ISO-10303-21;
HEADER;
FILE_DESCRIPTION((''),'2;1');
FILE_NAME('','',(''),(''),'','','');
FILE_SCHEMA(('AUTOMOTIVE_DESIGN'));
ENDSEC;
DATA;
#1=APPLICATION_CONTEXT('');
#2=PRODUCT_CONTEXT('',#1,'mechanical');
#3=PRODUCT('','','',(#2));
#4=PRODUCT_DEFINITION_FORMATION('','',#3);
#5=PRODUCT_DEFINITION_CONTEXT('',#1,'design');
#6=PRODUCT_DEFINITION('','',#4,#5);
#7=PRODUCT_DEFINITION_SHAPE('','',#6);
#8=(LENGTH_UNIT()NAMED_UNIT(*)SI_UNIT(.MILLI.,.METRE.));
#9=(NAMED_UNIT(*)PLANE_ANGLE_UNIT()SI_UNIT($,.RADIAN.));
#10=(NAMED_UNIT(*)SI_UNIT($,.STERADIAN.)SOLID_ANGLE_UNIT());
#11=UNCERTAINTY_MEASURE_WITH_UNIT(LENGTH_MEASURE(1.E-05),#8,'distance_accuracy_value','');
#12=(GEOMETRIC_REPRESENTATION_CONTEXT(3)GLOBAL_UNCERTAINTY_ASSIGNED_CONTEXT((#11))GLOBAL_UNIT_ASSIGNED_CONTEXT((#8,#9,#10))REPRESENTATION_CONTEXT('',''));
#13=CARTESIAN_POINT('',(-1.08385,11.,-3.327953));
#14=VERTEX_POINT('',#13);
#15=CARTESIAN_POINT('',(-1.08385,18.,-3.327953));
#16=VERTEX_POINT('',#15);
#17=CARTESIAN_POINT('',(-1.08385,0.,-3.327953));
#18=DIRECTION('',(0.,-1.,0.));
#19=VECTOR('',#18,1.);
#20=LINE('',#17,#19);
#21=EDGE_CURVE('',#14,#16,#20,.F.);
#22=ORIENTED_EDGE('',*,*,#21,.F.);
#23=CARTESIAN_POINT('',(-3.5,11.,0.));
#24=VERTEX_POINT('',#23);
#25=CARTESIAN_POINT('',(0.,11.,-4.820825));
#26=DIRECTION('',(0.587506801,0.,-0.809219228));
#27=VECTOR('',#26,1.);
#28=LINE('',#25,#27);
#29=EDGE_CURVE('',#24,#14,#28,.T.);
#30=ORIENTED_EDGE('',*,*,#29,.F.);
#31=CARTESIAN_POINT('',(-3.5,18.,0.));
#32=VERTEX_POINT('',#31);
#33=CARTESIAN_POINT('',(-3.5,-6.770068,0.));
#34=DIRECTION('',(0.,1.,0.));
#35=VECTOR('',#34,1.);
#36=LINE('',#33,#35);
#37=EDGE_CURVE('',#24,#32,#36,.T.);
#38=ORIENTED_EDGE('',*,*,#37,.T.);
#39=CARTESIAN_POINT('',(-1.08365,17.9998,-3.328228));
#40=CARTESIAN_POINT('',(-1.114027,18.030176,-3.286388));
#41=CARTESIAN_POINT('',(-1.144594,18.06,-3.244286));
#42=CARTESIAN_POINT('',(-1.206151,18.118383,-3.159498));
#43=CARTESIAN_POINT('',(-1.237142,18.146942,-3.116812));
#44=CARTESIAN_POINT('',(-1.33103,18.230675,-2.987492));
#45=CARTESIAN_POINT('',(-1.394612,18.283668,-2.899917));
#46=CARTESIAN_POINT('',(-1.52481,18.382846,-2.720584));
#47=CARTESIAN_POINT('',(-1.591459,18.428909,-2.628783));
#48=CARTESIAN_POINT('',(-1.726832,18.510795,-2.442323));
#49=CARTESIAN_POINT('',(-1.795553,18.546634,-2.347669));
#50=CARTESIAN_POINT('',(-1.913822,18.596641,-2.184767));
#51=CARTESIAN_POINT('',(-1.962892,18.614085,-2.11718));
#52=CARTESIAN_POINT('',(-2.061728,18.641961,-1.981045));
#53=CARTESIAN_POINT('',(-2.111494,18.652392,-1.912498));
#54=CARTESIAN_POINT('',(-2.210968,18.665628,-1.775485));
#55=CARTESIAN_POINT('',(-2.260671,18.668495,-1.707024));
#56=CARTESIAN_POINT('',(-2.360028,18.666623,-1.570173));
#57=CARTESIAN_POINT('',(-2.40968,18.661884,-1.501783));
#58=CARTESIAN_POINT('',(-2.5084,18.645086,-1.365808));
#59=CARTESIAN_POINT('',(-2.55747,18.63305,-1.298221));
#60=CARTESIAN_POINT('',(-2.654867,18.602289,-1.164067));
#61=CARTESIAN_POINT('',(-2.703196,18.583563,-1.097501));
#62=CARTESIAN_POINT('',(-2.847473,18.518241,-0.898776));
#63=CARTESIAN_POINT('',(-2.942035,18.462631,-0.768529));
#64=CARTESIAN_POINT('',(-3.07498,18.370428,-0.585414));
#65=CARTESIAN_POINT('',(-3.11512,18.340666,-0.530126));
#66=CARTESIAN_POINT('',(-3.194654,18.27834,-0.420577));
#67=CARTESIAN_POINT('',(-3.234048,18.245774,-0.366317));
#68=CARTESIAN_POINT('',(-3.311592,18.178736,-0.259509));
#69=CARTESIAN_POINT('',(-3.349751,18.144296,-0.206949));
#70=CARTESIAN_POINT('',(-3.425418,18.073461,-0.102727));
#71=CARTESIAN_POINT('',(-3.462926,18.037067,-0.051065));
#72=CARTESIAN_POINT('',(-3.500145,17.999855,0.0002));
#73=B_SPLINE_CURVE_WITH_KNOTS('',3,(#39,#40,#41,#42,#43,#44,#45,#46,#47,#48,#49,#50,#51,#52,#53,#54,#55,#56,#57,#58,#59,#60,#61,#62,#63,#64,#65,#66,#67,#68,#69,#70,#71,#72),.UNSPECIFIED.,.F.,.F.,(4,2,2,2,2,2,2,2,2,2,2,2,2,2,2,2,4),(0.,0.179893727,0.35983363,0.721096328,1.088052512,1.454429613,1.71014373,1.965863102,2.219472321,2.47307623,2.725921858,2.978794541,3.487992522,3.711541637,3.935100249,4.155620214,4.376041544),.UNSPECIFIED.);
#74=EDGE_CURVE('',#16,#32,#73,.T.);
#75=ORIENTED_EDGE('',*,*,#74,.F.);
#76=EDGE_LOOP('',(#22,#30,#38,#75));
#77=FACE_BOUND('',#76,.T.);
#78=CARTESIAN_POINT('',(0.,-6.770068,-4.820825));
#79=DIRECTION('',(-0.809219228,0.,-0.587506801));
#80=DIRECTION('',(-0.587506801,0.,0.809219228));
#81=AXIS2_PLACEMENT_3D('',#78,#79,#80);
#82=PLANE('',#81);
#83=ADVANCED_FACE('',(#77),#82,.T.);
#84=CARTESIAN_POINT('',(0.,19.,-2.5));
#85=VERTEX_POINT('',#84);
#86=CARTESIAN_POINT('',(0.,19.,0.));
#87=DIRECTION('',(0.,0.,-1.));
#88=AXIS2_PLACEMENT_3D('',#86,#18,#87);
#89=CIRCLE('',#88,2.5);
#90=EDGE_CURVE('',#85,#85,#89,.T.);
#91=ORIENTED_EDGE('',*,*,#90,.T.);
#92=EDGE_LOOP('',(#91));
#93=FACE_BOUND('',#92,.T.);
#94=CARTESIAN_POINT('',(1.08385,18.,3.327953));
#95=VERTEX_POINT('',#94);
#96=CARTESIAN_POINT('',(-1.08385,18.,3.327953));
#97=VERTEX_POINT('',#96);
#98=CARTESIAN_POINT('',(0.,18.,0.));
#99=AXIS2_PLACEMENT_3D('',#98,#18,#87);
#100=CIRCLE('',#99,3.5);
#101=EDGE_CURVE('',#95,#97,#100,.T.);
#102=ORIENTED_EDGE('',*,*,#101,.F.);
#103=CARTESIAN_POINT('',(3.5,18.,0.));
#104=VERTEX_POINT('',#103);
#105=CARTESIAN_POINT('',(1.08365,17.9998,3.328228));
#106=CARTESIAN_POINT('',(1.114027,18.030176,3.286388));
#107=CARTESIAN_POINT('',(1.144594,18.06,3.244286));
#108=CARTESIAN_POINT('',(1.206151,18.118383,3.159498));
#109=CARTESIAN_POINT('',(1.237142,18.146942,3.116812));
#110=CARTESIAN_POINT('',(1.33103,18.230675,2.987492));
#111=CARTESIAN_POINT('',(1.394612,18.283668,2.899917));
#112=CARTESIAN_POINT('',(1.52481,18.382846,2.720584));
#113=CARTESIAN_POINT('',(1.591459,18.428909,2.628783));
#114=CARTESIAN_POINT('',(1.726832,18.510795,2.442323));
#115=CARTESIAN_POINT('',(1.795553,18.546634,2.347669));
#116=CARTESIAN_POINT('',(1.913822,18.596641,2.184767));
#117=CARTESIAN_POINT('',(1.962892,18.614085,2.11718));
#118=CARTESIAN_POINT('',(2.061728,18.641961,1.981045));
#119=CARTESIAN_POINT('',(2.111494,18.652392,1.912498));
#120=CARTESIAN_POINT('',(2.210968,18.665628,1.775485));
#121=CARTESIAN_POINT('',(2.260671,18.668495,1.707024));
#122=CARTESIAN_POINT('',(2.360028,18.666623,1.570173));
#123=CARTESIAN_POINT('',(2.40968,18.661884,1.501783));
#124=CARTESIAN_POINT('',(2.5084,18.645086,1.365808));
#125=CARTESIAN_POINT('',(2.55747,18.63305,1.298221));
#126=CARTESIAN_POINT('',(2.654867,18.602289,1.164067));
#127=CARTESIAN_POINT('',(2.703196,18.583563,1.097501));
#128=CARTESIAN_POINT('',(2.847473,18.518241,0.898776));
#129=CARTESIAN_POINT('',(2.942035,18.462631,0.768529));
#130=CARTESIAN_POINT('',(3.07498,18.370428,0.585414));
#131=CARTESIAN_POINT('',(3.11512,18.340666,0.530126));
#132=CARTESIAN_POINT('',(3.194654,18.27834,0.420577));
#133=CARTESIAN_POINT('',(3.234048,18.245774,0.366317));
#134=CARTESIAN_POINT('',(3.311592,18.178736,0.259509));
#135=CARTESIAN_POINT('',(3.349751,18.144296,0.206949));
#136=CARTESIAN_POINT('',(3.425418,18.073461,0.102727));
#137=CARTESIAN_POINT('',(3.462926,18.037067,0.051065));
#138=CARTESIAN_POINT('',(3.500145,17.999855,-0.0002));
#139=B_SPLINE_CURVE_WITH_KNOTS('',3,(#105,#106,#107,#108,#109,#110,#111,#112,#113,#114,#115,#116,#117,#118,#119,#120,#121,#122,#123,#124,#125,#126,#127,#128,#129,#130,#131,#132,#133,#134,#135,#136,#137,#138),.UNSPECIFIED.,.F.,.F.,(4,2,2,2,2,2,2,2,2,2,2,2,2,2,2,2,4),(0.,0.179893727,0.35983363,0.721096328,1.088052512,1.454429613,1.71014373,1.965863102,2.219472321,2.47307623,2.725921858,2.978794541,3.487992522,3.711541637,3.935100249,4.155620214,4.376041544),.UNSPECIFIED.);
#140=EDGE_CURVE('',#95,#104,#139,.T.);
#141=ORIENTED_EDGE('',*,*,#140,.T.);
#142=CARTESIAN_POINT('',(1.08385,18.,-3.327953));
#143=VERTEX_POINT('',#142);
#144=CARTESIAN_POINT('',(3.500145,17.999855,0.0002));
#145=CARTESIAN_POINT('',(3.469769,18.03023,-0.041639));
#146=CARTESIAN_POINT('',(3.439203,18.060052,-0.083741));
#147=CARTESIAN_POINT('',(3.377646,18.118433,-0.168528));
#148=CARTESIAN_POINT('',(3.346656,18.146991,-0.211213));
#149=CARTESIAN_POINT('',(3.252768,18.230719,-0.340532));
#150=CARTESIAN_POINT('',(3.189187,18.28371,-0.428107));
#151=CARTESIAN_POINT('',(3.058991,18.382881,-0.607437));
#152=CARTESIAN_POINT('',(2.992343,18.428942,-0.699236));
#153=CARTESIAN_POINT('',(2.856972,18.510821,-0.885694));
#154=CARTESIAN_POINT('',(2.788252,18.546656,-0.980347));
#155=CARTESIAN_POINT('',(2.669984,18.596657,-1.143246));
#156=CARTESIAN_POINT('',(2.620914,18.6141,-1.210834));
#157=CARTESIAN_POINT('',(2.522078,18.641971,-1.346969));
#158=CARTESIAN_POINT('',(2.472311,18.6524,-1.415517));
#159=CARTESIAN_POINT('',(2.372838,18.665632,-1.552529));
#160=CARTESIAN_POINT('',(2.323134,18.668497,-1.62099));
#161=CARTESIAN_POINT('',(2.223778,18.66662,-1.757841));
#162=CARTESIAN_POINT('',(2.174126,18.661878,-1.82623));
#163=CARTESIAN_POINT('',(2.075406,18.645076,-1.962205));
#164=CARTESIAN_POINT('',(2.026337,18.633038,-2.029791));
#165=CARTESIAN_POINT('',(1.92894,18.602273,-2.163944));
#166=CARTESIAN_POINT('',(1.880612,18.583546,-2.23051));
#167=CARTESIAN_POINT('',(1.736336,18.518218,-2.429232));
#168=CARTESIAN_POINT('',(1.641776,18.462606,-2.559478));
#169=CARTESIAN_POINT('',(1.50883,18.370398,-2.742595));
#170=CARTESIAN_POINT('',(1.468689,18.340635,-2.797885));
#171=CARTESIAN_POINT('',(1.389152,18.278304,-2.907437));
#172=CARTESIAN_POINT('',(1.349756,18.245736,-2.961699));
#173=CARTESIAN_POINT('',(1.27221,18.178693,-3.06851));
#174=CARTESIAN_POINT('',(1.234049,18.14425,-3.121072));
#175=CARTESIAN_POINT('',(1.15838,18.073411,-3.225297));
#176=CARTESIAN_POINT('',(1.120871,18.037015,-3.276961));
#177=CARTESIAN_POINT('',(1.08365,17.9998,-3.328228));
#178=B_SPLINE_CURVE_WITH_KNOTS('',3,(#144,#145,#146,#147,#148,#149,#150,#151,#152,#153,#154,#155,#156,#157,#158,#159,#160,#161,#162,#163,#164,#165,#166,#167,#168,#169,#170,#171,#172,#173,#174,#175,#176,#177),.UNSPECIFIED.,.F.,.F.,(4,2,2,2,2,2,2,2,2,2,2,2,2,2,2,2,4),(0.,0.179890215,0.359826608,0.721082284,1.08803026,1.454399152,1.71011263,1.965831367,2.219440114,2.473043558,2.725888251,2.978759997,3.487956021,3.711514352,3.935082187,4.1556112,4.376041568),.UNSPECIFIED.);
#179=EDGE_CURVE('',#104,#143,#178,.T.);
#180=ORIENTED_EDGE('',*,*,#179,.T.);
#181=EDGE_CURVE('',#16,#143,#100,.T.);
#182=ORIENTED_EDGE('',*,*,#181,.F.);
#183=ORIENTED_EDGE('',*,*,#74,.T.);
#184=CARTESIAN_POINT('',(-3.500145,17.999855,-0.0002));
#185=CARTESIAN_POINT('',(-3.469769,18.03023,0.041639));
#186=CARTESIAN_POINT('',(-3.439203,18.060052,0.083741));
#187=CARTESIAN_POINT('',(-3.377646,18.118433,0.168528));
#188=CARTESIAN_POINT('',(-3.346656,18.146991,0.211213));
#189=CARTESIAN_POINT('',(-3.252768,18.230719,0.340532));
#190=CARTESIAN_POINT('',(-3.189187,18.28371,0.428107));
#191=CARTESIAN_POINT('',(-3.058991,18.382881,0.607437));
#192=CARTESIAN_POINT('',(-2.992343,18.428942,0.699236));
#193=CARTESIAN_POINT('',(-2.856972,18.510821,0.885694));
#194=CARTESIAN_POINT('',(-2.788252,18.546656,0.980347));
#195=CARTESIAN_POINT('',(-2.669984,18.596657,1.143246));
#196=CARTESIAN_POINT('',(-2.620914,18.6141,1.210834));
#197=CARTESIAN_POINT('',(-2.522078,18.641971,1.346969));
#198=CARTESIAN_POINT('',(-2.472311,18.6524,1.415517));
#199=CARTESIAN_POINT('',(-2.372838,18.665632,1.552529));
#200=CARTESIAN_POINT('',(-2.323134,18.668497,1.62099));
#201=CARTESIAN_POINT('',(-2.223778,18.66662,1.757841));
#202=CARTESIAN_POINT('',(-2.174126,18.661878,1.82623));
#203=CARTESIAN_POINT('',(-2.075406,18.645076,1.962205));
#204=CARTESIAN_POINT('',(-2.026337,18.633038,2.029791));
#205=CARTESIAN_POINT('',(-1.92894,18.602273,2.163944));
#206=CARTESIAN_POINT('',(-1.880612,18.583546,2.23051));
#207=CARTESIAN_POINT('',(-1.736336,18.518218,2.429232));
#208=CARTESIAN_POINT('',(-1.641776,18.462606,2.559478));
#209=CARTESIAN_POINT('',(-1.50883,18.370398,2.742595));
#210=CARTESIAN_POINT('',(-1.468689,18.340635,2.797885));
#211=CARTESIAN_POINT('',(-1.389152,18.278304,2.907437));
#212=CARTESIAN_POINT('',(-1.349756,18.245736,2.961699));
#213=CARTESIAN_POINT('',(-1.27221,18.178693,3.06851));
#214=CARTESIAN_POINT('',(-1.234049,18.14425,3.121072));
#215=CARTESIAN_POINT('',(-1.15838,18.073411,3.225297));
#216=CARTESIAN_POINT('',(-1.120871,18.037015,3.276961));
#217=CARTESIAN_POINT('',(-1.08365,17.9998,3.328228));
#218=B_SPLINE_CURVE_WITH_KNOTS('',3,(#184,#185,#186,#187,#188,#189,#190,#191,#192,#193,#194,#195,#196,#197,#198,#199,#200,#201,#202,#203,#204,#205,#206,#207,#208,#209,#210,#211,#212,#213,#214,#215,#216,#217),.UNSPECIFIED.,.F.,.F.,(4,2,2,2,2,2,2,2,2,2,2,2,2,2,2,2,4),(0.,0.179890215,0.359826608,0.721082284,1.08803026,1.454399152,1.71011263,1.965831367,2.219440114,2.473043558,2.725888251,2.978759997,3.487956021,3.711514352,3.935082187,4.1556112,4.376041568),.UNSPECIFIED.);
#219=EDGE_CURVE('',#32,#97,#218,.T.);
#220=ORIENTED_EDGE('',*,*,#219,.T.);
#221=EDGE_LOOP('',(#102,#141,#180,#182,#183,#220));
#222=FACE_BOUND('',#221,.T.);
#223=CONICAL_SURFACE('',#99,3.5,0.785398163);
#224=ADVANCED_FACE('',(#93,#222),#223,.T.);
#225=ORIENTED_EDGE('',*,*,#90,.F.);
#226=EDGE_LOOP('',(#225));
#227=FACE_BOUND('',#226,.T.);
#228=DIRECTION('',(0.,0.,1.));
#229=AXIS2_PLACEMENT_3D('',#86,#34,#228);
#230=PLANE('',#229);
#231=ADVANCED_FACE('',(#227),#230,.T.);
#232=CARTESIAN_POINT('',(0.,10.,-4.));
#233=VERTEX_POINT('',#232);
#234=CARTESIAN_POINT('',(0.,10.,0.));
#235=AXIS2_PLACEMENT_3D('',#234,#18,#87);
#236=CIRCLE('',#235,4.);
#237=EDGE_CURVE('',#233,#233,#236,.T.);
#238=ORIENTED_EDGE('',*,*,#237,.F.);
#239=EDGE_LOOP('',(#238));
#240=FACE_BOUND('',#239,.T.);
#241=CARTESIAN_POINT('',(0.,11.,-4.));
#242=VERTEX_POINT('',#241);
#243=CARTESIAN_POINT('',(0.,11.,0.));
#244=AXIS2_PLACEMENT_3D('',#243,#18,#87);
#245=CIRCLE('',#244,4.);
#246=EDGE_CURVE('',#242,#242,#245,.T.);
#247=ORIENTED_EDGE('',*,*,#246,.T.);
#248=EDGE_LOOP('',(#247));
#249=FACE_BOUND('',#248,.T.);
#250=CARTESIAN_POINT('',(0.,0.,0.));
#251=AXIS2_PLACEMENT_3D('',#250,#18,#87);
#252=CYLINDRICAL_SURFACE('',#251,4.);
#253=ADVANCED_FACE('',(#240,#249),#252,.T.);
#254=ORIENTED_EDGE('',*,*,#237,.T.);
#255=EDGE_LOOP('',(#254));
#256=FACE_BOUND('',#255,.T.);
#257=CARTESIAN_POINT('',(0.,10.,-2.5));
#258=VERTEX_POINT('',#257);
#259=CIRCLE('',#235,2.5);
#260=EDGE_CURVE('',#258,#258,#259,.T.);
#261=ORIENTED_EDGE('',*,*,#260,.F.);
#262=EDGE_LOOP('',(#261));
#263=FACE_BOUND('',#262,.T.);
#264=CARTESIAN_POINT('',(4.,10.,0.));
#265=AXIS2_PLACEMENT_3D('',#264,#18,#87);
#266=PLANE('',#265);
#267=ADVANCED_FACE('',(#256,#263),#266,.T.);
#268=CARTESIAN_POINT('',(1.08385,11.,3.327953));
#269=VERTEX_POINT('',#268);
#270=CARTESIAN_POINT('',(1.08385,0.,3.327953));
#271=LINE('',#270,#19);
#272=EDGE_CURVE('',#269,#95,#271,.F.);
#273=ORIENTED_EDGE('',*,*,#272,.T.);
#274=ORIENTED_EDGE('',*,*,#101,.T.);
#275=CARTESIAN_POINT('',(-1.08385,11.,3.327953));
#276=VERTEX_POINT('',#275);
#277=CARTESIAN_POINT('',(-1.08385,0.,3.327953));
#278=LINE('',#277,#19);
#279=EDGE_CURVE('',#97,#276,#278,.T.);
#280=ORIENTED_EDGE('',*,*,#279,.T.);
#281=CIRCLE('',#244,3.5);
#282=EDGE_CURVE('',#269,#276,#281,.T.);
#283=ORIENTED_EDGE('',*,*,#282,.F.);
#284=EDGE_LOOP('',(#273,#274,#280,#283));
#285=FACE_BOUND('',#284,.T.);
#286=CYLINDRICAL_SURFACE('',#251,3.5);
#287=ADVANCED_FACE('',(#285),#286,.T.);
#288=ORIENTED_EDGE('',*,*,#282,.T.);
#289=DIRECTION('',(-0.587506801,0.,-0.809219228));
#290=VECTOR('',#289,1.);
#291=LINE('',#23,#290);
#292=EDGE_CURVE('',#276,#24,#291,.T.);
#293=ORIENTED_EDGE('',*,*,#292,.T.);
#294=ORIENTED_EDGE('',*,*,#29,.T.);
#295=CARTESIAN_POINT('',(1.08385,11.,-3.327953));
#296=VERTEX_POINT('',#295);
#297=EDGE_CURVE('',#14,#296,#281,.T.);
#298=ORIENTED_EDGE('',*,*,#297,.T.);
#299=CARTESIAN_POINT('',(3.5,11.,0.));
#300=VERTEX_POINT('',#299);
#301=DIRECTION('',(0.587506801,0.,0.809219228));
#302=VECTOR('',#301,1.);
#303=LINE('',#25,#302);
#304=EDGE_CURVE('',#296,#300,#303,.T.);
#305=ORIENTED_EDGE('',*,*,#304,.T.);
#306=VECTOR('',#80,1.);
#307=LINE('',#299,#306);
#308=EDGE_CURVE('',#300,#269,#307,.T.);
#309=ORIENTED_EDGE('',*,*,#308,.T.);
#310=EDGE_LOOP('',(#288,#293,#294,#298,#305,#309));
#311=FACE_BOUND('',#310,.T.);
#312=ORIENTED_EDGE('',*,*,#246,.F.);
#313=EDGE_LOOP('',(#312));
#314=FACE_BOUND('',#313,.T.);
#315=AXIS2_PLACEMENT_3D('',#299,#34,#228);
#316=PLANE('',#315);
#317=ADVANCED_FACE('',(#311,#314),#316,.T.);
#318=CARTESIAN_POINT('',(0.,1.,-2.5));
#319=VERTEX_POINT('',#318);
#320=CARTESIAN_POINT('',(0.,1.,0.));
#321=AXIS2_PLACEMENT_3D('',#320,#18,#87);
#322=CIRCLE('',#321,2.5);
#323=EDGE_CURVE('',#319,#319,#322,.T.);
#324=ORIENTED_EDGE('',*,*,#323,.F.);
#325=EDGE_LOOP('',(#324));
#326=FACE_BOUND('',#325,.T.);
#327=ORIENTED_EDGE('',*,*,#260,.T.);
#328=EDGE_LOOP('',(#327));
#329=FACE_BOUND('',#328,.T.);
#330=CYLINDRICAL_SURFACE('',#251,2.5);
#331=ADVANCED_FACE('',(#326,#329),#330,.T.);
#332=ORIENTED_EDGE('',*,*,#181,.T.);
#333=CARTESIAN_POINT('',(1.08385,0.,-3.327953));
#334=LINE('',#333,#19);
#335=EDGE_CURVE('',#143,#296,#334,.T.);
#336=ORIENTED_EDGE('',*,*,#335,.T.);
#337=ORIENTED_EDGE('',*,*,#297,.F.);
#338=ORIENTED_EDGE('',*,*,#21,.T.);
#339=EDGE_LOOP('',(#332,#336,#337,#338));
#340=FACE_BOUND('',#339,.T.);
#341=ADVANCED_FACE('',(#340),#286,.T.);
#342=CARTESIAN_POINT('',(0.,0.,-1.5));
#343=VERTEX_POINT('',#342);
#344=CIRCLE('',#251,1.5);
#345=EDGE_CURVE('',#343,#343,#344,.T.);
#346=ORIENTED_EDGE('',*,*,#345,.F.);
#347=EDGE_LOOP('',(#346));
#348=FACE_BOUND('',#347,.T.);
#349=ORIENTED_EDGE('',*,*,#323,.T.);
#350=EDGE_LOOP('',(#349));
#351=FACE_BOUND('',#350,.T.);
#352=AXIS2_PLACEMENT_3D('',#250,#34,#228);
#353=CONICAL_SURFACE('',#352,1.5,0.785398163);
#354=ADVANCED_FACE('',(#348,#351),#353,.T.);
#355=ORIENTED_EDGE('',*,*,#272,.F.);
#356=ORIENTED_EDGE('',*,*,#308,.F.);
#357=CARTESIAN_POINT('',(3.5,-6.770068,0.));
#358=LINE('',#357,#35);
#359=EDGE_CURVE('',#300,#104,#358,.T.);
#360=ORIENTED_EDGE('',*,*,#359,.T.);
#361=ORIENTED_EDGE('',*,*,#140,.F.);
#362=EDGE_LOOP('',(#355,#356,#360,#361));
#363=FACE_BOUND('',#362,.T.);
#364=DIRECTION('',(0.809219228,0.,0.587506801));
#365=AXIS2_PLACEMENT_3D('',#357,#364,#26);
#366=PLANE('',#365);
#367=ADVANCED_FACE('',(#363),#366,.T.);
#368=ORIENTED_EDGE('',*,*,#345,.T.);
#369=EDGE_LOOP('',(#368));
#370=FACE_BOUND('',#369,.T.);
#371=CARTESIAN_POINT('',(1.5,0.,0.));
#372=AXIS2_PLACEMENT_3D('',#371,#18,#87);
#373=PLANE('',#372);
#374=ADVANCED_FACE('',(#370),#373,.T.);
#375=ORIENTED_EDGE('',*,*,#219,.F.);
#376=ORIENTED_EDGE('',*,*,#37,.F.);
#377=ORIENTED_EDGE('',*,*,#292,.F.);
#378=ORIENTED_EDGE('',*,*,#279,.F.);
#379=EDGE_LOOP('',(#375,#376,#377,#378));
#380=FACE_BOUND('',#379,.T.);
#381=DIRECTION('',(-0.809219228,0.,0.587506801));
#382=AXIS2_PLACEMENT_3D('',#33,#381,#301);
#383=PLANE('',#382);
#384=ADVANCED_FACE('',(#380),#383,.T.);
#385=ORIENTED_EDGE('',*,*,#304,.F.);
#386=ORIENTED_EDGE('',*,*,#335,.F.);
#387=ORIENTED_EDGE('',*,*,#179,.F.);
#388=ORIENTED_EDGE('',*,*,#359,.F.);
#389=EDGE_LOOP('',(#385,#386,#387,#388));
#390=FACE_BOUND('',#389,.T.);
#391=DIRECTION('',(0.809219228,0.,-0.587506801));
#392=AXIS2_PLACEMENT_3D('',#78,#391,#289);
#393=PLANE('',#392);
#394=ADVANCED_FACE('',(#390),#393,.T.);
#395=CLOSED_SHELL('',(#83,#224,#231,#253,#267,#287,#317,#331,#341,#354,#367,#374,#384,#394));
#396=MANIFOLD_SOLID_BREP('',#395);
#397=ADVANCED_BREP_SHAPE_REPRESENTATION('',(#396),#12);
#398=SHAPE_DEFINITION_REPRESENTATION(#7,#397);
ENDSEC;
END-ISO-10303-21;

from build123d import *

# Parameters (mm, degrees)
SKETCH_2_R          = 6.282667793
CUT_EXTRUDE_2_DEPTH = 8


with BuildPart() as part:
    # 草图1 → 旋转1 (revolve)
    with BuildSketch(Plane.XY, mode=Mode.PRIVATE) as revolve_1_sk:
        Polygon((0, 0), (0, 19), (2.5, 19), (3.5, 18), (3.5, 11), (4, 11), (4, 10), (2.5, 10), (2.5, 1), (1.5, 0), align=None)
    revolve(revolve_1_sk.sketch.rotate(Axis((0, 0, 0), (0, 1, 0)), 90), axis=Axis((0, 0, 0), (0, 1, 0)))

    # 草图2 → 切除-拉伸2 (cut)
    with BuildSketch(Plane(origin=(0, 19, 0), x_dir=(1, 0, 0), z_dir=(0, 1, 0))):
        Circle(SKETCH_2_R)
        Polygon((0, 4.820824702), (-3.5, 0), (0, -4.820824702), (3.5, 0), align=None, mode=Mode.SUBTRACT)
    extrude(amount=-CUT_EXTRUDE_2_DEPTH, mode=Mode.SUBTRACT)


solid = part.part
